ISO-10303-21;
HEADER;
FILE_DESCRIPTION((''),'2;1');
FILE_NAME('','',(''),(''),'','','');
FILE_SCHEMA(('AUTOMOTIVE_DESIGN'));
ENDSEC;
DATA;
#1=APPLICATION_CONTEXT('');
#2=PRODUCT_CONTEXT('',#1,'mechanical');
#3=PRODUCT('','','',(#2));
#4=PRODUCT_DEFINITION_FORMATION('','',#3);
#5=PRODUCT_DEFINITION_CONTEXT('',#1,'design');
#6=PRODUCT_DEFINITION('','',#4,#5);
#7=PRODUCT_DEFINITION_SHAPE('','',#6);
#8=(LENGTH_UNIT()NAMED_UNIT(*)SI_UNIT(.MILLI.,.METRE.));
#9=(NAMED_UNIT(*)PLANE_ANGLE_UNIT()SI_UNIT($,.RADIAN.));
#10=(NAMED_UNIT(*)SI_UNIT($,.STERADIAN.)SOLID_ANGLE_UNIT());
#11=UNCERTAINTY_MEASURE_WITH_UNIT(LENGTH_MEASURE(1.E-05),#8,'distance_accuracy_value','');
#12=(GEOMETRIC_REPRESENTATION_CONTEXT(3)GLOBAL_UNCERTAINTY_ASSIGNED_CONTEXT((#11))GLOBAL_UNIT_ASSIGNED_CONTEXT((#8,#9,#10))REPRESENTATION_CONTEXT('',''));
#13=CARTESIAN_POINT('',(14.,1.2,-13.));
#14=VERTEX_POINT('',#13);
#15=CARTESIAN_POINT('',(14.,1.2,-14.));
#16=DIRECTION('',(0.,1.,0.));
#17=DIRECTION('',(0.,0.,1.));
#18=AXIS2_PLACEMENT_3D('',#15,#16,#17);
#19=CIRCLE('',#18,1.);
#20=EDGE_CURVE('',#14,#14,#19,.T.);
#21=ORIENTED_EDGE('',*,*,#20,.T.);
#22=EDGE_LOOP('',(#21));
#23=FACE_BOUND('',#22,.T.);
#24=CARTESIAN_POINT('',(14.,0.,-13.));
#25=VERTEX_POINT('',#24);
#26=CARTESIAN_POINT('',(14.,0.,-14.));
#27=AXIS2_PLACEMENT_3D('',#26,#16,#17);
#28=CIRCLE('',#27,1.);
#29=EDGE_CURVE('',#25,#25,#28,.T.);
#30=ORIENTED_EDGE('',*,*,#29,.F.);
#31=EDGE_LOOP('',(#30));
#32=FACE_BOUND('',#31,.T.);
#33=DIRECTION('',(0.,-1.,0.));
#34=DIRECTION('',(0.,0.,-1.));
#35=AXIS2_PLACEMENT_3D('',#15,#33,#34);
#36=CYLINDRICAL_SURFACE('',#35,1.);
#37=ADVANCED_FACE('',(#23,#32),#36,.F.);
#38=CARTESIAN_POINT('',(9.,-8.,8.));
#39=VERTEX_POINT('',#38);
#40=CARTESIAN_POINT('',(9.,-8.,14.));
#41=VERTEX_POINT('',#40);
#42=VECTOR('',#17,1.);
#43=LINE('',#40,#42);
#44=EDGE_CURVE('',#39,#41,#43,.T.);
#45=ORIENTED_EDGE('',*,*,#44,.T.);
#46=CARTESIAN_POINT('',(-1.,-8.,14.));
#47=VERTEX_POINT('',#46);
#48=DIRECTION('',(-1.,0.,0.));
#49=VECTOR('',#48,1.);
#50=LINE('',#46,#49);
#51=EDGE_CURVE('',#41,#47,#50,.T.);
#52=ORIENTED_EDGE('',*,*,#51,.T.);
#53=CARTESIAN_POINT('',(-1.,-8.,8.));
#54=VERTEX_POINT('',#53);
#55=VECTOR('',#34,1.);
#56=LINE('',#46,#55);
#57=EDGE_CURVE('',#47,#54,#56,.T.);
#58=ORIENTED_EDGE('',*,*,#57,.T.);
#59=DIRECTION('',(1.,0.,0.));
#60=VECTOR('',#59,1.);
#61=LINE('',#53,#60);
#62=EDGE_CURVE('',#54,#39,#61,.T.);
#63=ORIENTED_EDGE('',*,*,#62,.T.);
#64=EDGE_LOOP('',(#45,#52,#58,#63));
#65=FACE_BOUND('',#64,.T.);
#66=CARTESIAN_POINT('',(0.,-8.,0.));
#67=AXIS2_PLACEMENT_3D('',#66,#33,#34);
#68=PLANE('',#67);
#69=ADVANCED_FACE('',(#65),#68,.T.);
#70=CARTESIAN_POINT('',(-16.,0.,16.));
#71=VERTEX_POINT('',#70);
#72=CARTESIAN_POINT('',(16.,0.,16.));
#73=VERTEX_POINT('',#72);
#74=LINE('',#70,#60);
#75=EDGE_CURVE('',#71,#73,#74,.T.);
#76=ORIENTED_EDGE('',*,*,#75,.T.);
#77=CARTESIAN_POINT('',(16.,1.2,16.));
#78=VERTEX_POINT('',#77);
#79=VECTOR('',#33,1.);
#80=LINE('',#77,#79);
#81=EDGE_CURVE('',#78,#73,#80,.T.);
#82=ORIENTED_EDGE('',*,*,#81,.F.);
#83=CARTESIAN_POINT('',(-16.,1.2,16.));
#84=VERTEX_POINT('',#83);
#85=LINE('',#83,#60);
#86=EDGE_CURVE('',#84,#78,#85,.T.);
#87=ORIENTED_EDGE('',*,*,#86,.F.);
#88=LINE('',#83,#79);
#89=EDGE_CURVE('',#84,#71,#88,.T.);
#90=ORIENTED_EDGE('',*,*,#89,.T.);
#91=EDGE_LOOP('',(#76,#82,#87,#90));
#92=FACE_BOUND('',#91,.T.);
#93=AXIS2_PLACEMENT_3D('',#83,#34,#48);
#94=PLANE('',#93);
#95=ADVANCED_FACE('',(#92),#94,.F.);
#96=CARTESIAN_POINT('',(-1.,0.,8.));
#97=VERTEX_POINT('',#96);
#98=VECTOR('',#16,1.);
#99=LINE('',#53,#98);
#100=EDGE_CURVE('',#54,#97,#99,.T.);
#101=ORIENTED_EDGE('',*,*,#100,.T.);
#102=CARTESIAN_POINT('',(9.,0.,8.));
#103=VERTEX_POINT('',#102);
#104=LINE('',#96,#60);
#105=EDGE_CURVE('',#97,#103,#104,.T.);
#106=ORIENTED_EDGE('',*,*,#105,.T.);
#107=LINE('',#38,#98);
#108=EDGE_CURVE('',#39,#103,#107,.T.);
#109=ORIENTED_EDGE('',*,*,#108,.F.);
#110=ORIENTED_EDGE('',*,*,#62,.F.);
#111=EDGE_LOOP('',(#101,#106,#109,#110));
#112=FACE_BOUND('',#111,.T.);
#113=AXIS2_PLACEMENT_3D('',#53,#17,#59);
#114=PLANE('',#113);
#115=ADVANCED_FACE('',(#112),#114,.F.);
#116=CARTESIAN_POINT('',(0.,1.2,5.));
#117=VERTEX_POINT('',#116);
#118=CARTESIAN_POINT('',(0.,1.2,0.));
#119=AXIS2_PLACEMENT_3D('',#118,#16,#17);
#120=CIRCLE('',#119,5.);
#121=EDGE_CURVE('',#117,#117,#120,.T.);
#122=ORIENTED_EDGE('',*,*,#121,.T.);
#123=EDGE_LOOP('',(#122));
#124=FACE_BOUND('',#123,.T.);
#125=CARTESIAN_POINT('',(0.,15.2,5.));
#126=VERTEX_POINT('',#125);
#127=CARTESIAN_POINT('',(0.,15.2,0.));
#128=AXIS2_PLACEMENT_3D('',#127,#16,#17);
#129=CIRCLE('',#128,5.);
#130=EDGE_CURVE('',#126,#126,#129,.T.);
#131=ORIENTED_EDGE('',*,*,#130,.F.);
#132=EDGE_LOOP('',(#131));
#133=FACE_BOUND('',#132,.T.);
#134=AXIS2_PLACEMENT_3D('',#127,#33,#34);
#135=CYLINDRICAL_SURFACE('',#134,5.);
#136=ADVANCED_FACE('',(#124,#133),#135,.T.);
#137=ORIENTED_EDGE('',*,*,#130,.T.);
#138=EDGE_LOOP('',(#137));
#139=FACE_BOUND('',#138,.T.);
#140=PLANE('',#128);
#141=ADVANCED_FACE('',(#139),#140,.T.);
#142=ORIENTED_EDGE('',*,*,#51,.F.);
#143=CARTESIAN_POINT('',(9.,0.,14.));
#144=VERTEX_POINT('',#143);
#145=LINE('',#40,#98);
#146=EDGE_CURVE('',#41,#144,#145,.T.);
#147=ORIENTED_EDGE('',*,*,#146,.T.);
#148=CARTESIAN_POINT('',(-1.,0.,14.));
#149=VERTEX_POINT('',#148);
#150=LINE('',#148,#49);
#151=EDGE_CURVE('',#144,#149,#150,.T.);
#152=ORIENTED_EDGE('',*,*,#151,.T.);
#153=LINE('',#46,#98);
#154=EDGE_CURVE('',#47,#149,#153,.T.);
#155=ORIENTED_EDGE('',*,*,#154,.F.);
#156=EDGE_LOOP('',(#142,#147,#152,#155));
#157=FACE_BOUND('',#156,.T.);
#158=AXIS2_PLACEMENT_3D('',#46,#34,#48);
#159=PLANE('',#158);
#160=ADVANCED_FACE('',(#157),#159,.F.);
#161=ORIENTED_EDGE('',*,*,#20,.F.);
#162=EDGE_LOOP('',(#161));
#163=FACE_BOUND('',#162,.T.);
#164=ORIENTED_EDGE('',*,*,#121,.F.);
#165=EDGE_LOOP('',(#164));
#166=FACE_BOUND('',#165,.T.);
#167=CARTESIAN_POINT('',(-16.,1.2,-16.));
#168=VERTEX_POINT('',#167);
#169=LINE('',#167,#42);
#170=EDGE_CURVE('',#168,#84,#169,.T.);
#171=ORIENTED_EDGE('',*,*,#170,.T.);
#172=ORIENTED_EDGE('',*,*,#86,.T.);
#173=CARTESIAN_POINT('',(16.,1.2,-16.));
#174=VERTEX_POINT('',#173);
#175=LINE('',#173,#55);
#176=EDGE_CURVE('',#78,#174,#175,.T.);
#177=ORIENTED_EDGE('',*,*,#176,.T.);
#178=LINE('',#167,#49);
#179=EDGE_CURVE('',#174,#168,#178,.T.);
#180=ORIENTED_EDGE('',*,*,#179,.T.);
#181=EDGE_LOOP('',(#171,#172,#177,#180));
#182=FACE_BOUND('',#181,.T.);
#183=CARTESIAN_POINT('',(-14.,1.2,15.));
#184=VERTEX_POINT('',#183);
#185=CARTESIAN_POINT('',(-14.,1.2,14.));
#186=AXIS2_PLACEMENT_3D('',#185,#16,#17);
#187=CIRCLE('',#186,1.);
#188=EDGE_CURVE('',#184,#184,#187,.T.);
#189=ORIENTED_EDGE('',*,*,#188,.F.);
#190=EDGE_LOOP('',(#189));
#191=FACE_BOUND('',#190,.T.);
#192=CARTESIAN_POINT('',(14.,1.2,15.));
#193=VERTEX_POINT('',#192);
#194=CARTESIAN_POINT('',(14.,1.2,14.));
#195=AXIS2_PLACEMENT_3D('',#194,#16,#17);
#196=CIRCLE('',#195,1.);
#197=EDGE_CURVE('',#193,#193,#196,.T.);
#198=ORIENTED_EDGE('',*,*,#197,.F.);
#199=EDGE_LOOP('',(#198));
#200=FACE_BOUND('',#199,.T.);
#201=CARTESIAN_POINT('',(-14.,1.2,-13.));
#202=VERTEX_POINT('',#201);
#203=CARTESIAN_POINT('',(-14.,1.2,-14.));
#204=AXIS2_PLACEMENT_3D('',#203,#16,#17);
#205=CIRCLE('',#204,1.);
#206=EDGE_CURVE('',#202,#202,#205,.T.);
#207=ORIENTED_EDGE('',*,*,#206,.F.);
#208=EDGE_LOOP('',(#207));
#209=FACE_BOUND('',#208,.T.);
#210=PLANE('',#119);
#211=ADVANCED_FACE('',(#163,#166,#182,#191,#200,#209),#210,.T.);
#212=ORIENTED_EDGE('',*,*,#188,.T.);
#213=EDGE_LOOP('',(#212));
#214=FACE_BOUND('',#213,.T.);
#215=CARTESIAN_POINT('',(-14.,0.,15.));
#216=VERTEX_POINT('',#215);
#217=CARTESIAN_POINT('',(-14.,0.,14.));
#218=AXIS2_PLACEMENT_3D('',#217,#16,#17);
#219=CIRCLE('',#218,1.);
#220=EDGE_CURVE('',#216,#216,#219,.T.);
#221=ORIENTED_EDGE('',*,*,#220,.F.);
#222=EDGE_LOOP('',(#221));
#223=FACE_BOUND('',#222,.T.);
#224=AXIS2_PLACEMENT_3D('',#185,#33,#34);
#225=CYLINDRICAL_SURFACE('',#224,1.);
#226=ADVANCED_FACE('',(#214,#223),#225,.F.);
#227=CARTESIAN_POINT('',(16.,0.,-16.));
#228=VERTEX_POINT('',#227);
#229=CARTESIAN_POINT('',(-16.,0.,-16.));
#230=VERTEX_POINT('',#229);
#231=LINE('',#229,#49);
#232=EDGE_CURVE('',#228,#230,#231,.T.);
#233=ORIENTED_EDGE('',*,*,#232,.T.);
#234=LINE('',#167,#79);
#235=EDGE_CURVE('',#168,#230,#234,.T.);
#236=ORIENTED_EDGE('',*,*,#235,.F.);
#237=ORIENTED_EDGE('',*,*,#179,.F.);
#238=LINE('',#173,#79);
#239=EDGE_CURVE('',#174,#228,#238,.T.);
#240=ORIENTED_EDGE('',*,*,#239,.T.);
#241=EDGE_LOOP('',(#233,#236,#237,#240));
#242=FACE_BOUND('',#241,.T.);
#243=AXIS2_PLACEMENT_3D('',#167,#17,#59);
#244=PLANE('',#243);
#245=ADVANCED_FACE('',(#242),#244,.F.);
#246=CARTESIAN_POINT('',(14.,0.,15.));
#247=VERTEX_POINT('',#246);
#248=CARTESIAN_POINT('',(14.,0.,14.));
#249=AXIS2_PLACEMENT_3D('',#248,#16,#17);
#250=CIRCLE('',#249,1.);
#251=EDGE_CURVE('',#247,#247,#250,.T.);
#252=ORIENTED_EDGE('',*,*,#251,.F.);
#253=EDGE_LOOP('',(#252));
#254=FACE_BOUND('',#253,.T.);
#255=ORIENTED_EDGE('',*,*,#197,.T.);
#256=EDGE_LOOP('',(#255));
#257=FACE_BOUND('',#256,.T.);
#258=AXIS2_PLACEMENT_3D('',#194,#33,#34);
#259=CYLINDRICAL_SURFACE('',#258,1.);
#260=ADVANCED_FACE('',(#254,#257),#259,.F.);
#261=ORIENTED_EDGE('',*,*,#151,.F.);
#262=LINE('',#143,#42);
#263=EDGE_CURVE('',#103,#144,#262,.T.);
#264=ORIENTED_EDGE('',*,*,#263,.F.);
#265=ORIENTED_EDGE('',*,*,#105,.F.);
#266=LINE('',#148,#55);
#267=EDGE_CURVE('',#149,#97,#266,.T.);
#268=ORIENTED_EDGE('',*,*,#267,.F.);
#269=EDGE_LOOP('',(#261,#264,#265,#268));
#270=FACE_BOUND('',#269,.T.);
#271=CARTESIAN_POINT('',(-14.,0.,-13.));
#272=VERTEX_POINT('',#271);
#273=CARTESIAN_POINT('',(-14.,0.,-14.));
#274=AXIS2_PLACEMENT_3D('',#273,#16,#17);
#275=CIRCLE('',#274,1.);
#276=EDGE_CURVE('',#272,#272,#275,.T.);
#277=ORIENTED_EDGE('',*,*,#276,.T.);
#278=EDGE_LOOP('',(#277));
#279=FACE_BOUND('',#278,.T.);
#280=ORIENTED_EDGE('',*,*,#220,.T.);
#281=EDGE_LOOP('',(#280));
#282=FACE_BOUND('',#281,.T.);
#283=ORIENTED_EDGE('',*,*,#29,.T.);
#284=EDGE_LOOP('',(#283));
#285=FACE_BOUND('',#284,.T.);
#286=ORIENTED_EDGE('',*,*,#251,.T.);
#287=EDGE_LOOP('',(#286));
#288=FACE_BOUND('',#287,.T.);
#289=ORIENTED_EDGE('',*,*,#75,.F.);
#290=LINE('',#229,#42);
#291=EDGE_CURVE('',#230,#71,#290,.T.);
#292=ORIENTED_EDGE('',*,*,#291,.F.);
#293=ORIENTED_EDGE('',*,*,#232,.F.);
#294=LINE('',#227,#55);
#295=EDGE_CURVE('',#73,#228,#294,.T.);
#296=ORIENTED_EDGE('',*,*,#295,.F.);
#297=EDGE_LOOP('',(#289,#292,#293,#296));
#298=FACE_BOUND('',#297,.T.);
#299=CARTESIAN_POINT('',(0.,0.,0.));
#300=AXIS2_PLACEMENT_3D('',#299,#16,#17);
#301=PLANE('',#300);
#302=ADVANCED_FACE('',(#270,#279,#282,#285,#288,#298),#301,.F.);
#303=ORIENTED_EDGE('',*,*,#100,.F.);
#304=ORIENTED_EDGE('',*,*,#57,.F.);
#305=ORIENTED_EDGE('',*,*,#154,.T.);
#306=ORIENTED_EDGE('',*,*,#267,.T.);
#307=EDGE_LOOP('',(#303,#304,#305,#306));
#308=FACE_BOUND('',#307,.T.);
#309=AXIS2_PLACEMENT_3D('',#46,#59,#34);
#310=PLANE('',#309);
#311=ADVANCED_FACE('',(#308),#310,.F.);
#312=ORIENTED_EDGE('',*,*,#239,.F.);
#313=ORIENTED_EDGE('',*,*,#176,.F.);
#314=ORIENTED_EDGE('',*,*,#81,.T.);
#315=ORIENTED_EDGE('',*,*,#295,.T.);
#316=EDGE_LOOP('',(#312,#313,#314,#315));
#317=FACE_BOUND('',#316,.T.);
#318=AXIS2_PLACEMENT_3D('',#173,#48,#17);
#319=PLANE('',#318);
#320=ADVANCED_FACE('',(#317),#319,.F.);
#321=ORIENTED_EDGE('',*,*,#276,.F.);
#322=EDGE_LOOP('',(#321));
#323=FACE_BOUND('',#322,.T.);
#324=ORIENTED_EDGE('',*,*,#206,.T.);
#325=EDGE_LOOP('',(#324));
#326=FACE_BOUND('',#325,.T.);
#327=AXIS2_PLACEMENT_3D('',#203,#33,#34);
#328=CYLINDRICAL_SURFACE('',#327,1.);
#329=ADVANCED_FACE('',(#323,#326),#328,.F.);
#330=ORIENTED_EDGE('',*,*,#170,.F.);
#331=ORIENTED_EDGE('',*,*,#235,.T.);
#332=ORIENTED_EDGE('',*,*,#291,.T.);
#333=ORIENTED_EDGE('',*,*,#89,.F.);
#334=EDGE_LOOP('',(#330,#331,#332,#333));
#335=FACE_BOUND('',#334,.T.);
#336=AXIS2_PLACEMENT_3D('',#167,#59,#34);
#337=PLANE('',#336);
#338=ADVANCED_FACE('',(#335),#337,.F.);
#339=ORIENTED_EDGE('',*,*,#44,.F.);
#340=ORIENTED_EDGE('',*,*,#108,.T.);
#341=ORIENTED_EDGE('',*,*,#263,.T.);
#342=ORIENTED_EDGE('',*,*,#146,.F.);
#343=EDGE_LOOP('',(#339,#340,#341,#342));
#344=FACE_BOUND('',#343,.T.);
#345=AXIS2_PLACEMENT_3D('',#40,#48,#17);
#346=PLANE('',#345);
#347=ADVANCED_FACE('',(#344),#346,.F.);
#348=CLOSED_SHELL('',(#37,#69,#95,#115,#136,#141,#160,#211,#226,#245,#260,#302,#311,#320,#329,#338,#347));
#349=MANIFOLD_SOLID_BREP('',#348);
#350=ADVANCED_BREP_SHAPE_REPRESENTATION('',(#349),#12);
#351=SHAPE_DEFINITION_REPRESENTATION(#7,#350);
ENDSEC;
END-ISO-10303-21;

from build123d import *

# Parameters (mm, degrees)
SKETCH1_W           = 32
SKETCH1_H           = 32
SKETCH1_R           = 1
BOSS_EXTRUDE1_DEPTH = 1.2
SKETCH2_R           = 5
BOSS_EXTRUDE2_DEPTH = 14
SKETCH3_W           = 10
SKETCH3_H           = 6
BOSS_EXTRUDE3_DEPTH = 8


with BuildPart() as part:
    # Sketch1 → Boss-Extrude1 (new body)
    with BuildSketch(Plane(origin=(0, 0, 0), x_dir=(1, 0, 0), z_dir=(0, 1, 0))):
        Rectangle(SKETCH1_W, SKETCH1_H)
        with Locations(Location((-14, 14, 0), (0, 0, 270))):
            Circle(SKETCH1_R, mode=Mode.SUBTRACT)
        with Locations(Location((14, 14, 0), (0, 0, 270))):
            Circle(SKETCH1_R, mode=Mode.SUBTRACT)
        with Locations(Location((14, -14, 0), (0, 0, 270))):
            Circle(SKETCH1_R, mode=Mode.SUBTRACT)
        with Locations(Location((-14, -14, 0), (0, 0, 270))):
            Circle(SKETCH1_R, mode=Mode.SUBTRACT)
    extrude(amount=BOSS_EXTRUDE1_DEPTH)

    # Sketch2 → Boss-Extrude2 (add)
    with BuildSketch(Plane(origin=(0, 1.2, 0), x_dir=(1, 0, 0), z_dir=(0, 1, 0))):
        with Locations(Location((0, 0, 0), (0, 0, 270))):
            Circle(SKETCH2_R)
    extrude(amount=BOSS_EXTRUDE2_DEPTH)

    # Sketch3 → Boss-Extrude3 (add)
    with BuildSketch(Plane.XZ):
        with Locations((4, 11)):
            Rectangle(SKETCH3_W, SKETCH3_H)
    extrude(amount=BOSS_EXTRUDE3_DEPTH)


solid = part.part
